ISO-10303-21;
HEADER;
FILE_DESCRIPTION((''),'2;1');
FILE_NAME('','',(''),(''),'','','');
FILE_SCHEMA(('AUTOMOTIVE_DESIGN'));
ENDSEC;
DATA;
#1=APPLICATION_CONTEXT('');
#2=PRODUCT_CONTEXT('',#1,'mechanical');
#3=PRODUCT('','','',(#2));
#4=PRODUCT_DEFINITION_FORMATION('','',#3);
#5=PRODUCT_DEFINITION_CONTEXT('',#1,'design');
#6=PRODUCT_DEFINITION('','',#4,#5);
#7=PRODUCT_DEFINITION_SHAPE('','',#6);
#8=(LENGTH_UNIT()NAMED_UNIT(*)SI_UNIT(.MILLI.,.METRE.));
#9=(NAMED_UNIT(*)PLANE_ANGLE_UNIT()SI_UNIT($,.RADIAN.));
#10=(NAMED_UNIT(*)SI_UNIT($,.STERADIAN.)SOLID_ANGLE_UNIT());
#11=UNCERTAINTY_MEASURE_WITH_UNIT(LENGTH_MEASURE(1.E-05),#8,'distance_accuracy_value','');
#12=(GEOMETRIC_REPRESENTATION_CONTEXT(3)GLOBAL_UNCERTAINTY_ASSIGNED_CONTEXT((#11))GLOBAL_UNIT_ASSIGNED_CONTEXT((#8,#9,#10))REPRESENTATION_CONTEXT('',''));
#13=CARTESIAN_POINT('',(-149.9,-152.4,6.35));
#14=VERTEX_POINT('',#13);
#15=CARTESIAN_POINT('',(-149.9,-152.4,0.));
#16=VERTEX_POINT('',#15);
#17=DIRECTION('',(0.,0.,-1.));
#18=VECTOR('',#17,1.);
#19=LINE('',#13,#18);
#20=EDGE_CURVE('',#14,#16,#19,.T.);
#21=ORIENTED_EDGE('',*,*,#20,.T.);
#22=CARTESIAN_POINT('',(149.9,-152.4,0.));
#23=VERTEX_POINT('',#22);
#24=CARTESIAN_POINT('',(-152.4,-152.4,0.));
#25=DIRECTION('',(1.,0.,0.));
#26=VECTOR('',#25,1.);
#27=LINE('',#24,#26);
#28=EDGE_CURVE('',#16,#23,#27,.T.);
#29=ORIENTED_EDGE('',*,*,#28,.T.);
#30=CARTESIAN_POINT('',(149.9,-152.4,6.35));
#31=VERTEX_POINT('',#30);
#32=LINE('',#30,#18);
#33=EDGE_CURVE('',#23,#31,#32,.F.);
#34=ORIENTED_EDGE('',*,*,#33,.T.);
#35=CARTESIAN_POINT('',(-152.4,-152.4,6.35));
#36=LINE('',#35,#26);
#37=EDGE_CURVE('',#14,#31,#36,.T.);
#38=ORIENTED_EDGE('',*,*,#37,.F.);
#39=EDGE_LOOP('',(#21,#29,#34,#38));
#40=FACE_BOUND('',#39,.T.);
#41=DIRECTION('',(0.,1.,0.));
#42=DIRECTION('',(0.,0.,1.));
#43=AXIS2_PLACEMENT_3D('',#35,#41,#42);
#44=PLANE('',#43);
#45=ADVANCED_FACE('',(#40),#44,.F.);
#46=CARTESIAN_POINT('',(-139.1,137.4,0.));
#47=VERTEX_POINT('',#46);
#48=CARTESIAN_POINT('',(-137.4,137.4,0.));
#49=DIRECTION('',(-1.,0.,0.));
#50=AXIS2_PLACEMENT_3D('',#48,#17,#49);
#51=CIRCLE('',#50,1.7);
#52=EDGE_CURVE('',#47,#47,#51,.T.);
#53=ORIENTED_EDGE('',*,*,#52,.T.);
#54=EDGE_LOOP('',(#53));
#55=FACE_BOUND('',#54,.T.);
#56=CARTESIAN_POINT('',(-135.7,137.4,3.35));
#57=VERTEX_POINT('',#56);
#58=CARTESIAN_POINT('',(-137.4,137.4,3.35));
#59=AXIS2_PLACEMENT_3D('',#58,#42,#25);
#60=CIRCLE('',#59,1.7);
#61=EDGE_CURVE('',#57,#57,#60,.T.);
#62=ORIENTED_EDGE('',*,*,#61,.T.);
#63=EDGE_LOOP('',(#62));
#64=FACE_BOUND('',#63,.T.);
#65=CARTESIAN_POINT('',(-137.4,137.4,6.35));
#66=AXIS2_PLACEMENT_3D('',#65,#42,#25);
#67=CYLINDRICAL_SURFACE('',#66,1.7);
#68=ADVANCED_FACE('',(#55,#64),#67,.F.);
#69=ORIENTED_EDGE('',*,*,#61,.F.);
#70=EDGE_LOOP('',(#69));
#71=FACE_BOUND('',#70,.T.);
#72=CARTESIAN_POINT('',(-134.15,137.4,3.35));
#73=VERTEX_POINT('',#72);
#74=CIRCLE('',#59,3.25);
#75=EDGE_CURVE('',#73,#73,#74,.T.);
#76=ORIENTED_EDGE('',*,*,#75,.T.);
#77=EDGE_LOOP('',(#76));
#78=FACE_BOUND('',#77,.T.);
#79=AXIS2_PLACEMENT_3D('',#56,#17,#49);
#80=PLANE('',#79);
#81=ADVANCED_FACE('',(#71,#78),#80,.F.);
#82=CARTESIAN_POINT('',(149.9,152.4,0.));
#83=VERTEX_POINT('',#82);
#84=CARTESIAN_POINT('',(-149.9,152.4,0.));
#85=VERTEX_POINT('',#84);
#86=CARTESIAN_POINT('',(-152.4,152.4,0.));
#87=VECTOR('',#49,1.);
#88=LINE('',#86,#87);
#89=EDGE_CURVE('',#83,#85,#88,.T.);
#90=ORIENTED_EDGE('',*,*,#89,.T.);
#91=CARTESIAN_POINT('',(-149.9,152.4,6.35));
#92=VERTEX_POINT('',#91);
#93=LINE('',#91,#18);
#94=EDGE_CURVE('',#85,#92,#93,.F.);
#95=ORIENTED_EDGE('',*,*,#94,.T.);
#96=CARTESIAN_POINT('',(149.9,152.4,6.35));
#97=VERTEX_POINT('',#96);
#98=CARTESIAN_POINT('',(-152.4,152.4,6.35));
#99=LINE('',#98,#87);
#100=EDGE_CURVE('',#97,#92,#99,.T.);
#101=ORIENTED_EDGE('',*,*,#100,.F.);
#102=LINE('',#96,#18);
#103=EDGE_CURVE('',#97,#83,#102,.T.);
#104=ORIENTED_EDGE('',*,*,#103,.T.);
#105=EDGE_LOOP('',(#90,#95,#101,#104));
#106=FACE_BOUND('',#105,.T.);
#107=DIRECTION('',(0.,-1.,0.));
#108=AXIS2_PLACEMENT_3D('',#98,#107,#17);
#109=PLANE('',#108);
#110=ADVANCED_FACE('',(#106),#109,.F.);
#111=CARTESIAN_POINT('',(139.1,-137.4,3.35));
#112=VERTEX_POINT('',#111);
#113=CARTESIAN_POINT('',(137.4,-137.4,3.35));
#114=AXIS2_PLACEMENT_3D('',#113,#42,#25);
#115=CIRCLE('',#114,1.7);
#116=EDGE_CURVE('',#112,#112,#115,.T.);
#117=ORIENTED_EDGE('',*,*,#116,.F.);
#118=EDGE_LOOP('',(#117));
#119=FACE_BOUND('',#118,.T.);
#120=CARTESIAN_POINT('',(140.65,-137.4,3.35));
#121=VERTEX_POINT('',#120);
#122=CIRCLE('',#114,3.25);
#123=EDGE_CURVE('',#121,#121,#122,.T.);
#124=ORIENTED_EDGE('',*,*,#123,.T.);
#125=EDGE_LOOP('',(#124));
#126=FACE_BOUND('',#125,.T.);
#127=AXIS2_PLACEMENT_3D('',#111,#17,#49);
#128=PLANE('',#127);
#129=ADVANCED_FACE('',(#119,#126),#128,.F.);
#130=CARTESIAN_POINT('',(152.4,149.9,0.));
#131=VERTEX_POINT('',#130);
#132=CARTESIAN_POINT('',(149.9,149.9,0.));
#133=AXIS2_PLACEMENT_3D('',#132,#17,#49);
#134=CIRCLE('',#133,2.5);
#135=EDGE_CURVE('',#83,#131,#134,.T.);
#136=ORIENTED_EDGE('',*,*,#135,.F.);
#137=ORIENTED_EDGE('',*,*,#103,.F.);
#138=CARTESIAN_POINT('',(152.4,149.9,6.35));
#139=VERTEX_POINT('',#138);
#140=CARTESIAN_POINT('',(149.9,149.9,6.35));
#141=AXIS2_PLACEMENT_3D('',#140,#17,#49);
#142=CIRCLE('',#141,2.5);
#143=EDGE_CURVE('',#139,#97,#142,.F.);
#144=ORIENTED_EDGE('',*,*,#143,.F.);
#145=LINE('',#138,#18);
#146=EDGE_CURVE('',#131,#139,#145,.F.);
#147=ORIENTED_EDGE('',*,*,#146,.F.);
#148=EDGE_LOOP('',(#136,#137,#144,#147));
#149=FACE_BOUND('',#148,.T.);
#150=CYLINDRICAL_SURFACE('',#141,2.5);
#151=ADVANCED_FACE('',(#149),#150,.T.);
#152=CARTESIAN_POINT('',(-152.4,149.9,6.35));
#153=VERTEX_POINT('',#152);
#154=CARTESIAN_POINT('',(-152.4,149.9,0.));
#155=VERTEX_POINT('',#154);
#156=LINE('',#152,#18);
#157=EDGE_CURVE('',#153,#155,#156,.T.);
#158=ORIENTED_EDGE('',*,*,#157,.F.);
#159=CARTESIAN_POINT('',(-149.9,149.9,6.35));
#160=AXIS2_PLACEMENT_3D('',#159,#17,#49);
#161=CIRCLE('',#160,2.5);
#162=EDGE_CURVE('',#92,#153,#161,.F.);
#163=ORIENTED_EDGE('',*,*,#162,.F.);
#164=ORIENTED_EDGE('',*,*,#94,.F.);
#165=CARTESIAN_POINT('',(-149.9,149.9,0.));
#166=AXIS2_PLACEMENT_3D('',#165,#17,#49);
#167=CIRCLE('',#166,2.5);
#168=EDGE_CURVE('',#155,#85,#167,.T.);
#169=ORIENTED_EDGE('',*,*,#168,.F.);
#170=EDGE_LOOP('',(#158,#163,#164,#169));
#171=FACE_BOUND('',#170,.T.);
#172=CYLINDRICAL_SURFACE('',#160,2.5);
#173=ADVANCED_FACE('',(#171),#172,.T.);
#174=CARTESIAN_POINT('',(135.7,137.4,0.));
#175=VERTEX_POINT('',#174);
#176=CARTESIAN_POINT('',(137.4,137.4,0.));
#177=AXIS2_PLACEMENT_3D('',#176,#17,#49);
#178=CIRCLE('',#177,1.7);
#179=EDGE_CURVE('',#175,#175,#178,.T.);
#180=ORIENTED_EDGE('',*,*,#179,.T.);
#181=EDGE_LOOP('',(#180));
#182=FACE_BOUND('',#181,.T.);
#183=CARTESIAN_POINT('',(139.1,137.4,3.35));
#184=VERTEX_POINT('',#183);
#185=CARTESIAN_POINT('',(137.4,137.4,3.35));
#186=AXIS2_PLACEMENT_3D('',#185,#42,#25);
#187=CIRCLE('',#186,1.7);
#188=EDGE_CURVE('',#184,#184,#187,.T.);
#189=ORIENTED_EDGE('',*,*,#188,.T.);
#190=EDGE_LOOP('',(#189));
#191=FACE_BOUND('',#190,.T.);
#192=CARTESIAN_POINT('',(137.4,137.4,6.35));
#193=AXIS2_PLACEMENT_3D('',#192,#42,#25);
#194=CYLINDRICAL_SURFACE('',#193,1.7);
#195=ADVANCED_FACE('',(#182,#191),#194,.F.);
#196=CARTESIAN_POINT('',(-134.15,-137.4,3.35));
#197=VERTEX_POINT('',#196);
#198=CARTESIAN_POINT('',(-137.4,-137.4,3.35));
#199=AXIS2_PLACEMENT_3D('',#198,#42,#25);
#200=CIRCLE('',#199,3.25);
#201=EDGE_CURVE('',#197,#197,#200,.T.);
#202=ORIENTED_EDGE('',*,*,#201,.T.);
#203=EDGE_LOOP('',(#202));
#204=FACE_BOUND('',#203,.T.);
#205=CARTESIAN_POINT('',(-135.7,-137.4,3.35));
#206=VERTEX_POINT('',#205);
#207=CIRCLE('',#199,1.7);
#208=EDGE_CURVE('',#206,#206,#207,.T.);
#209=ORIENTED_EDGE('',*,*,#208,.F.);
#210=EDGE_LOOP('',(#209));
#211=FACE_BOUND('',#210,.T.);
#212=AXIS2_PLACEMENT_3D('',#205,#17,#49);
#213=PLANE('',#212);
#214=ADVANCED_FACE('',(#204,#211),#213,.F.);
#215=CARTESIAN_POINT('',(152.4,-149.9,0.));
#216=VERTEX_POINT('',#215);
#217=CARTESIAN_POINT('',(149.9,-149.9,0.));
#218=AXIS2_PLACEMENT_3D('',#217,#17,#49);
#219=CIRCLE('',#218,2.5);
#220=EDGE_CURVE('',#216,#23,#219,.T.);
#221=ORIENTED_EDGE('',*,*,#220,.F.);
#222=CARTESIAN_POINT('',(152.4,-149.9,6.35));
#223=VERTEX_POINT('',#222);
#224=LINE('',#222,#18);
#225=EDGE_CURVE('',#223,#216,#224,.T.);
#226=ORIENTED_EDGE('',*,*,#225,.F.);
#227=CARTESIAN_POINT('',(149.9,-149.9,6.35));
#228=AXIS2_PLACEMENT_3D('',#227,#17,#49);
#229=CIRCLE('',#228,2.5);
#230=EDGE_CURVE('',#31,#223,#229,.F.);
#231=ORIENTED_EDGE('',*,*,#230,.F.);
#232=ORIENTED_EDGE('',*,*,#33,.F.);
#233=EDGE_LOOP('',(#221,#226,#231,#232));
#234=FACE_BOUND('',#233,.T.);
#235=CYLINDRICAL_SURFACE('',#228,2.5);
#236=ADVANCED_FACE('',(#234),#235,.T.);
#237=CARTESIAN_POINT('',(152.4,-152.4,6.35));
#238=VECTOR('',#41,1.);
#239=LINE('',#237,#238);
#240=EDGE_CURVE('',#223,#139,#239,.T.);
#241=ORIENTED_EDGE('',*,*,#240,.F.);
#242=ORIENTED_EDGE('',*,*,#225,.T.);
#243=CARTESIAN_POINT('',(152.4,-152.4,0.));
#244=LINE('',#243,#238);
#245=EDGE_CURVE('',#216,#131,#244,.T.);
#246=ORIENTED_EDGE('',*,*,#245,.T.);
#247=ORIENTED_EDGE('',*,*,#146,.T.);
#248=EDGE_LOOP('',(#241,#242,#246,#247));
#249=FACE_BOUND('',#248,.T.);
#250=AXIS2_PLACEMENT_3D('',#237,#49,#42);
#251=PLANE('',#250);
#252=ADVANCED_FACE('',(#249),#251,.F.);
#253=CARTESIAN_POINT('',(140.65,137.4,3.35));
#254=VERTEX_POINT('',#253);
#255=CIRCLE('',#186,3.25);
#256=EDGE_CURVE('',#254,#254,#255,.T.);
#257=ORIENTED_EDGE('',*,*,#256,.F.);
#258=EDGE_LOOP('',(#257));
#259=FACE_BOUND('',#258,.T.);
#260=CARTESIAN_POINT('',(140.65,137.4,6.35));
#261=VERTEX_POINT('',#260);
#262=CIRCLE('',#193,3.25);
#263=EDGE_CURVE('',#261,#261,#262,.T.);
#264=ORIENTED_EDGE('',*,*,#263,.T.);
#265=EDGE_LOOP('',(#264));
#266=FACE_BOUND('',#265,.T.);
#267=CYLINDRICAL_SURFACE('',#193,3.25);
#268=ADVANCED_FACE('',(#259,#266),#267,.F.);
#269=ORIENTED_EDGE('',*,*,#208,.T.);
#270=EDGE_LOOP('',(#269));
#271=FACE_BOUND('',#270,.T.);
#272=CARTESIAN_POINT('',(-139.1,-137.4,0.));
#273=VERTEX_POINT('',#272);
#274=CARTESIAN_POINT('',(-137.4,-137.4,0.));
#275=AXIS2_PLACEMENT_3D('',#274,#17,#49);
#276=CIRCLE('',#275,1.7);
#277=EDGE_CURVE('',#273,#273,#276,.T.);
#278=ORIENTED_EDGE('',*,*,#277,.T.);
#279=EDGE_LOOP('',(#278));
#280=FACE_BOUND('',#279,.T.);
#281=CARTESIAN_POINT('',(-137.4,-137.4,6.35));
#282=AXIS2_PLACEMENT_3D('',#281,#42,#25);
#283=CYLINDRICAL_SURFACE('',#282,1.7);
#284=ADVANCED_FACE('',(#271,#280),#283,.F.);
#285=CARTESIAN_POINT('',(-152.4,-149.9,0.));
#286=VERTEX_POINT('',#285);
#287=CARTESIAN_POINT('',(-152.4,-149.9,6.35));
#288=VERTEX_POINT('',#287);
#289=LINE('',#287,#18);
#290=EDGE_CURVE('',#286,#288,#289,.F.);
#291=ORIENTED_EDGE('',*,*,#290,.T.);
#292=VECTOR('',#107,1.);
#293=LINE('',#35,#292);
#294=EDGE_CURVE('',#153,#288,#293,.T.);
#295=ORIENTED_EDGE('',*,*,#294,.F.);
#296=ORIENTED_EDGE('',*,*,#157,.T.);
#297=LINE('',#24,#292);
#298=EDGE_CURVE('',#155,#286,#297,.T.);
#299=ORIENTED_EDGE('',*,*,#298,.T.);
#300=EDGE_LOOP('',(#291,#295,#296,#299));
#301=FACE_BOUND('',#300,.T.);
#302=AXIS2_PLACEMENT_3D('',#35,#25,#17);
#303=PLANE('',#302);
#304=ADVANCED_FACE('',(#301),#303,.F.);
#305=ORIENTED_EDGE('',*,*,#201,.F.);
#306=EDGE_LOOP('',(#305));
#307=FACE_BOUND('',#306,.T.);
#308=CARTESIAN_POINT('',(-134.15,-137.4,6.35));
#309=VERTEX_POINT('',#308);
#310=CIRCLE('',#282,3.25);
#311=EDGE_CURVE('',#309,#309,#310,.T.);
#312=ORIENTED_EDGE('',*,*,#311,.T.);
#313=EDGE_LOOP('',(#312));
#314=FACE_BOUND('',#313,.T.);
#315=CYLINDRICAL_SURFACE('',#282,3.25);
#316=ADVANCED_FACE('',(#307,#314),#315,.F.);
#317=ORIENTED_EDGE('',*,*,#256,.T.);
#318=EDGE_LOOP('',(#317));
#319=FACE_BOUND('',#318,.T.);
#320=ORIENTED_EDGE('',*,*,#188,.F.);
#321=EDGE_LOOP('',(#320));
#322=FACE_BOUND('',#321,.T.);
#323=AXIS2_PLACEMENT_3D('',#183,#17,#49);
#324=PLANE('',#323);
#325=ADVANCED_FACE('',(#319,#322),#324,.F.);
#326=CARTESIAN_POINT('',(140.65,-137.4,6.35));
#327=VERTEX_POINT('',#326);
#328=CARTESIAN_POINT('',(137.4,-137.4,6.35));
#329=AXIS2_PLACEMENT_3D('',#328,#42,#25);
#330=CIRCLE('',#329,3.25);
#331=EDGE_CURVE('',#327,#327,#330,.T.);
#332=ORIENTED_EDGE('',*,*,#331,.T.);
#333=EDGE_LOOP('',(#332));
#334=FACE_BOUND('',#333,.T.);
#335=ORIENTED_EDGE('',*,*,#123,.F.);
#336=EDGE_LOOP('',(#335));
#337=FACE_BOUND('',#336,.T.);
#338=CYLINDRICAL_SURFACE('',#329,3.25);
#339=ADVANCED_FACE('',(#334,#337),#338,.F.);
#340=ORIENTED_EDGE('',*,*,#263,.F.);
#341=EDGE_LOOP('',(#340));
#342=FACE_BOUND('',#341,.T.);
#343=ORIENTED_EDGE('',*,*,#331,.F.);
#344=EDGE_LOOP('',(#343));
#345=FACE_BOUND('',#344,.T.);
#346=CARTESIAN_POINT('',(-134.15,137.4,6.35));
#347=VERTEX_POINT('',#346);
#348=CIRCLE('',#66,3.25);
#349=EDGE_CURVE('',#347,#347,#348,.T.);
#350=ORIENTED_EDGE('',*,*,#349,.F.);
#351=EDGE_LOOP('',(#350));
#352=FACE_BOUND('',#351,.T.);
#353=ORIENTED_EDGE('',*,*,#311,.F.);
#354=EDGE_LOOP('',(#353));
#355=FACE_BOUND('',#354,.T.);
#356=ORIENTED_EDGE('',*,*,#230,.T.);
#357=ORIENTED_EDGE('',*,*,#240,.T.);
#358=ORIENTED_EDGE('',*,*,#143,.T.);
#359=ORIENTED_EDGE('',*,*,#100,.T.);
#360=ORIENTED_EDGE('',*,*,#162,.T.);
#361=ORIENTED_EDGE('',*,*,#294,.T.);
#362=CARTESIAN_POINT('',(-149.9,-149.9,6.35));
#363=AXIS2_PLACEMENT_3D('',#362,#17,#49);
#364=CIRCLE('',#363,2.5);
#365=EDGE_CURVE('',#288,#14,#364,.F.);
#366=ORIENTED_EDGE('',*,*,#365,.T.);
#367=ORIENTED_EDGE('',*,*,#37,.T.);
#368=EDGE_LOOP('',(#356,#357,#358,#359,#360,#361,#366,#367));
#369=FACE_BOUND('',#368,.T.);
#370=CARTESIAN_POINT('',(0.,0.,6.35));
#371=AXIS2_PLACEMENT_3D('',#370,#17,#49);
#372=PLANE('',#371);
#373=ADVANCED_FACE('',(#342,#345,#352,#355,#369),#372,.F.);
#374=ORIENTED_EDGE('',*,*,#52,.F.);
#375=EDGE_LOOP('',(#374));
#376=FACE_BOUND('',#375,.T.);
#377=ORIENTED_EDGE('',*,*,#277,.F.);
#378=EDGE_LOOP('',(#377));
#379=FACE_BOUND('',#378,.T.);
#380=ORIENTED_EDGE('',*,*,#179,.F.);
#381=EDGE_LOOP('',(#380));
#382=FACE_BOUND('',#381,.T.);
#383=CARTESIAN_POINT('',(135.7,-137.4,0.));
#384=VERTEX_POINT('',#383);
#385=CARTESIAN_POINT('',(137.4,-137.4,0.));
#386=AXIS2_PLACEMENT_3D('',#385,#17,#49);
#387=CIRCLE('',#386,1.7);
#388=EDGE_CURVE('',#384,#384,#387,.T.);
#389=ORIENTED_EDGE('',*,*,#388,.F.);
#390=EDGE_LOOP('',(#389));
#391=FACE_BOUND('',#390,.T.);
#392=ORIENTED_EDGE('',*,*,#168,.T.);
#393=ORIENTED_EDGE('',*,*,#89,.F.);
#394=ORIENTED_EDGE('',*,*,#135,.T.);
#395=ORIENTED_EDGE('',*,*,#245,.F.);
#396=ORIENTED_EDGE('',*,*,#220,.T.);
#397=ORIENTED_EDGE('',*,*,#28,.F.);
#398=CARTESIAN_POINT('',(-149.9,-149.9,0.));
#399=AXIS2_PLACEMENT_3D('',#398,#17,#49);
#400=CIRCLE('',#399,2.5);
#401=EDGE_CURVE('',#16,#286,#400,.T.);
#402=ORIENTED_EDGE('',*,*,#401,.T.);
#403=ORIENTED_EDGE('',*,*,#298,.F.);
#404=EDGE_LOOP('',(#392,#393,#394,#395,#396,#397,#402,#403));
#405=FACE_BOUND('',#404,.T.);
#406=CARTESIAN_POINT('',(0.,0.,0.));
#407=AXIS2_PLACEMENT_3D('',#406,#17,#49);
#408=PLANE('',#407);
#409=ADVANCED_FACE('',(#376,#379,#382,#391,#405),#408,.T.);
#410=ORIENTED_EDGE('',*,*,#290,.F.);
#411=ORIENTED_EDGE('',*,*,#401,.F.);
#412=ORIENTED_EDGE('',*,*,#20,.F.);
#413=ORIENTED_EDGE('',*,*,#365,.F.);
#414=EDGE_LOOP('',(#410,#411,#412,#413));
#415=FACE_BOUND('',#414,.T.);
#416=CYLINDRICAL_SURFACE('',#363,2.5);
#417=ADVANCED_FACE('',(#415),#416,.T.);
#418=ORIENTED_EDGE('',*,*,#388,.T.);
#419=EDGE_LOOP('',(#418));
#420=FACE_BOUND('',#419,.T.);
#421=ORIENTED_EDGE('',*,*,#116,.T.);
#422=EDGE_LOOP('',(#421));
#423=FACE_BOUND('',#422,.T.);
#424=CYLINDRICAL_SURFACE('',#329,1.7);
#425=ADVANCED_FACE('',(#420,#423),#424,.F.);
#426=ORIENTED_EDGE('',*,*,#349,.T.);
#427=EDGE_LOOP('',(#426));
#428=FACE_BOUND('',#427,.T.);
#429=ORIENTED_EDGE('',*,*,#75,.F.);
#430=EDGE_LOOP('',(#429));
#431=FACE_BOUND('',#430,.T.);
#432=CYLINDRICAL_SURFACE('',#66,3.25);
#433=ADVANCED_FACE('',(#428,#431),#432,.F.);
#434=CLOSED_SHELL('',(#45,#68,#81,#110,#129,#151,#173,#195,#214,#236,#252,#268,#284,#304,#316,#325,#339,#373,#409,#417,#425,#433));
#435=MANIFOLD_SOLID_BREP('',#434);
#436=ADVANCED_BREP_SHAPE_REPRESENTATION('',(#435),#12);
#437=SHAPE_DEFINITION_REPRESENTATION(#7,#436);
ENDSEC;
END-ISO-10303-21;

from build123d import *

# Parameters (mm, degrees)
SKETCH1_W                      = 304.8
SKETCH1_H                      = 304.8
BOSS_EXTRUDE1_DEPTH            = 6.35
CBORE_FOR_M3_SHCS1_D           = 3.4
CBORE_FOR_M3_SHCS1_CBORE_D     = 6.5
CBORE_FOR_M3_SHCS1_CBORE_DEPTH = 3
FILLET1_R                      = 2.5


with BuildPart() as part:
    # Sketch1 → Boss-Extrude1 (new body)
    with BuildSketch(Plane.XY):
        Rectangle(SKETCH1_W, SKETCH1_H)
    extrude(amount=BOSS_EXTRUDE1_DEPTH)

    # CBORE for M3 SHCS1 (through all)
    with Locations(Plane.XY.offset(6.35)):
        with Locations((137.4, 137.4), (-137.4, -137.4), (137.4, -137.4), (-137.4, 137.4)):
            CounterBoreHole(CBORE_FOR_M3_SHCS1_D / 2, CBORE_FOR_M3_SHCS1_CBORE_D / 2, CBORE_FOR_M3_SHCS1_CBORE_DEPTH)

    # Fillet1
    fillet1_edges = [part.edges().sort_by_distance(p)[0] for p in [
        (152.4, -152.4, 3.175),
        (-152.4, -152.4, 3.175),
        (-152.4, 152.4, 3.175),
        (152.4, 152.4, 3.175),
    ]]
    fillet(fillet1_edges, radius=FILLET1_R)


solid = part.part
